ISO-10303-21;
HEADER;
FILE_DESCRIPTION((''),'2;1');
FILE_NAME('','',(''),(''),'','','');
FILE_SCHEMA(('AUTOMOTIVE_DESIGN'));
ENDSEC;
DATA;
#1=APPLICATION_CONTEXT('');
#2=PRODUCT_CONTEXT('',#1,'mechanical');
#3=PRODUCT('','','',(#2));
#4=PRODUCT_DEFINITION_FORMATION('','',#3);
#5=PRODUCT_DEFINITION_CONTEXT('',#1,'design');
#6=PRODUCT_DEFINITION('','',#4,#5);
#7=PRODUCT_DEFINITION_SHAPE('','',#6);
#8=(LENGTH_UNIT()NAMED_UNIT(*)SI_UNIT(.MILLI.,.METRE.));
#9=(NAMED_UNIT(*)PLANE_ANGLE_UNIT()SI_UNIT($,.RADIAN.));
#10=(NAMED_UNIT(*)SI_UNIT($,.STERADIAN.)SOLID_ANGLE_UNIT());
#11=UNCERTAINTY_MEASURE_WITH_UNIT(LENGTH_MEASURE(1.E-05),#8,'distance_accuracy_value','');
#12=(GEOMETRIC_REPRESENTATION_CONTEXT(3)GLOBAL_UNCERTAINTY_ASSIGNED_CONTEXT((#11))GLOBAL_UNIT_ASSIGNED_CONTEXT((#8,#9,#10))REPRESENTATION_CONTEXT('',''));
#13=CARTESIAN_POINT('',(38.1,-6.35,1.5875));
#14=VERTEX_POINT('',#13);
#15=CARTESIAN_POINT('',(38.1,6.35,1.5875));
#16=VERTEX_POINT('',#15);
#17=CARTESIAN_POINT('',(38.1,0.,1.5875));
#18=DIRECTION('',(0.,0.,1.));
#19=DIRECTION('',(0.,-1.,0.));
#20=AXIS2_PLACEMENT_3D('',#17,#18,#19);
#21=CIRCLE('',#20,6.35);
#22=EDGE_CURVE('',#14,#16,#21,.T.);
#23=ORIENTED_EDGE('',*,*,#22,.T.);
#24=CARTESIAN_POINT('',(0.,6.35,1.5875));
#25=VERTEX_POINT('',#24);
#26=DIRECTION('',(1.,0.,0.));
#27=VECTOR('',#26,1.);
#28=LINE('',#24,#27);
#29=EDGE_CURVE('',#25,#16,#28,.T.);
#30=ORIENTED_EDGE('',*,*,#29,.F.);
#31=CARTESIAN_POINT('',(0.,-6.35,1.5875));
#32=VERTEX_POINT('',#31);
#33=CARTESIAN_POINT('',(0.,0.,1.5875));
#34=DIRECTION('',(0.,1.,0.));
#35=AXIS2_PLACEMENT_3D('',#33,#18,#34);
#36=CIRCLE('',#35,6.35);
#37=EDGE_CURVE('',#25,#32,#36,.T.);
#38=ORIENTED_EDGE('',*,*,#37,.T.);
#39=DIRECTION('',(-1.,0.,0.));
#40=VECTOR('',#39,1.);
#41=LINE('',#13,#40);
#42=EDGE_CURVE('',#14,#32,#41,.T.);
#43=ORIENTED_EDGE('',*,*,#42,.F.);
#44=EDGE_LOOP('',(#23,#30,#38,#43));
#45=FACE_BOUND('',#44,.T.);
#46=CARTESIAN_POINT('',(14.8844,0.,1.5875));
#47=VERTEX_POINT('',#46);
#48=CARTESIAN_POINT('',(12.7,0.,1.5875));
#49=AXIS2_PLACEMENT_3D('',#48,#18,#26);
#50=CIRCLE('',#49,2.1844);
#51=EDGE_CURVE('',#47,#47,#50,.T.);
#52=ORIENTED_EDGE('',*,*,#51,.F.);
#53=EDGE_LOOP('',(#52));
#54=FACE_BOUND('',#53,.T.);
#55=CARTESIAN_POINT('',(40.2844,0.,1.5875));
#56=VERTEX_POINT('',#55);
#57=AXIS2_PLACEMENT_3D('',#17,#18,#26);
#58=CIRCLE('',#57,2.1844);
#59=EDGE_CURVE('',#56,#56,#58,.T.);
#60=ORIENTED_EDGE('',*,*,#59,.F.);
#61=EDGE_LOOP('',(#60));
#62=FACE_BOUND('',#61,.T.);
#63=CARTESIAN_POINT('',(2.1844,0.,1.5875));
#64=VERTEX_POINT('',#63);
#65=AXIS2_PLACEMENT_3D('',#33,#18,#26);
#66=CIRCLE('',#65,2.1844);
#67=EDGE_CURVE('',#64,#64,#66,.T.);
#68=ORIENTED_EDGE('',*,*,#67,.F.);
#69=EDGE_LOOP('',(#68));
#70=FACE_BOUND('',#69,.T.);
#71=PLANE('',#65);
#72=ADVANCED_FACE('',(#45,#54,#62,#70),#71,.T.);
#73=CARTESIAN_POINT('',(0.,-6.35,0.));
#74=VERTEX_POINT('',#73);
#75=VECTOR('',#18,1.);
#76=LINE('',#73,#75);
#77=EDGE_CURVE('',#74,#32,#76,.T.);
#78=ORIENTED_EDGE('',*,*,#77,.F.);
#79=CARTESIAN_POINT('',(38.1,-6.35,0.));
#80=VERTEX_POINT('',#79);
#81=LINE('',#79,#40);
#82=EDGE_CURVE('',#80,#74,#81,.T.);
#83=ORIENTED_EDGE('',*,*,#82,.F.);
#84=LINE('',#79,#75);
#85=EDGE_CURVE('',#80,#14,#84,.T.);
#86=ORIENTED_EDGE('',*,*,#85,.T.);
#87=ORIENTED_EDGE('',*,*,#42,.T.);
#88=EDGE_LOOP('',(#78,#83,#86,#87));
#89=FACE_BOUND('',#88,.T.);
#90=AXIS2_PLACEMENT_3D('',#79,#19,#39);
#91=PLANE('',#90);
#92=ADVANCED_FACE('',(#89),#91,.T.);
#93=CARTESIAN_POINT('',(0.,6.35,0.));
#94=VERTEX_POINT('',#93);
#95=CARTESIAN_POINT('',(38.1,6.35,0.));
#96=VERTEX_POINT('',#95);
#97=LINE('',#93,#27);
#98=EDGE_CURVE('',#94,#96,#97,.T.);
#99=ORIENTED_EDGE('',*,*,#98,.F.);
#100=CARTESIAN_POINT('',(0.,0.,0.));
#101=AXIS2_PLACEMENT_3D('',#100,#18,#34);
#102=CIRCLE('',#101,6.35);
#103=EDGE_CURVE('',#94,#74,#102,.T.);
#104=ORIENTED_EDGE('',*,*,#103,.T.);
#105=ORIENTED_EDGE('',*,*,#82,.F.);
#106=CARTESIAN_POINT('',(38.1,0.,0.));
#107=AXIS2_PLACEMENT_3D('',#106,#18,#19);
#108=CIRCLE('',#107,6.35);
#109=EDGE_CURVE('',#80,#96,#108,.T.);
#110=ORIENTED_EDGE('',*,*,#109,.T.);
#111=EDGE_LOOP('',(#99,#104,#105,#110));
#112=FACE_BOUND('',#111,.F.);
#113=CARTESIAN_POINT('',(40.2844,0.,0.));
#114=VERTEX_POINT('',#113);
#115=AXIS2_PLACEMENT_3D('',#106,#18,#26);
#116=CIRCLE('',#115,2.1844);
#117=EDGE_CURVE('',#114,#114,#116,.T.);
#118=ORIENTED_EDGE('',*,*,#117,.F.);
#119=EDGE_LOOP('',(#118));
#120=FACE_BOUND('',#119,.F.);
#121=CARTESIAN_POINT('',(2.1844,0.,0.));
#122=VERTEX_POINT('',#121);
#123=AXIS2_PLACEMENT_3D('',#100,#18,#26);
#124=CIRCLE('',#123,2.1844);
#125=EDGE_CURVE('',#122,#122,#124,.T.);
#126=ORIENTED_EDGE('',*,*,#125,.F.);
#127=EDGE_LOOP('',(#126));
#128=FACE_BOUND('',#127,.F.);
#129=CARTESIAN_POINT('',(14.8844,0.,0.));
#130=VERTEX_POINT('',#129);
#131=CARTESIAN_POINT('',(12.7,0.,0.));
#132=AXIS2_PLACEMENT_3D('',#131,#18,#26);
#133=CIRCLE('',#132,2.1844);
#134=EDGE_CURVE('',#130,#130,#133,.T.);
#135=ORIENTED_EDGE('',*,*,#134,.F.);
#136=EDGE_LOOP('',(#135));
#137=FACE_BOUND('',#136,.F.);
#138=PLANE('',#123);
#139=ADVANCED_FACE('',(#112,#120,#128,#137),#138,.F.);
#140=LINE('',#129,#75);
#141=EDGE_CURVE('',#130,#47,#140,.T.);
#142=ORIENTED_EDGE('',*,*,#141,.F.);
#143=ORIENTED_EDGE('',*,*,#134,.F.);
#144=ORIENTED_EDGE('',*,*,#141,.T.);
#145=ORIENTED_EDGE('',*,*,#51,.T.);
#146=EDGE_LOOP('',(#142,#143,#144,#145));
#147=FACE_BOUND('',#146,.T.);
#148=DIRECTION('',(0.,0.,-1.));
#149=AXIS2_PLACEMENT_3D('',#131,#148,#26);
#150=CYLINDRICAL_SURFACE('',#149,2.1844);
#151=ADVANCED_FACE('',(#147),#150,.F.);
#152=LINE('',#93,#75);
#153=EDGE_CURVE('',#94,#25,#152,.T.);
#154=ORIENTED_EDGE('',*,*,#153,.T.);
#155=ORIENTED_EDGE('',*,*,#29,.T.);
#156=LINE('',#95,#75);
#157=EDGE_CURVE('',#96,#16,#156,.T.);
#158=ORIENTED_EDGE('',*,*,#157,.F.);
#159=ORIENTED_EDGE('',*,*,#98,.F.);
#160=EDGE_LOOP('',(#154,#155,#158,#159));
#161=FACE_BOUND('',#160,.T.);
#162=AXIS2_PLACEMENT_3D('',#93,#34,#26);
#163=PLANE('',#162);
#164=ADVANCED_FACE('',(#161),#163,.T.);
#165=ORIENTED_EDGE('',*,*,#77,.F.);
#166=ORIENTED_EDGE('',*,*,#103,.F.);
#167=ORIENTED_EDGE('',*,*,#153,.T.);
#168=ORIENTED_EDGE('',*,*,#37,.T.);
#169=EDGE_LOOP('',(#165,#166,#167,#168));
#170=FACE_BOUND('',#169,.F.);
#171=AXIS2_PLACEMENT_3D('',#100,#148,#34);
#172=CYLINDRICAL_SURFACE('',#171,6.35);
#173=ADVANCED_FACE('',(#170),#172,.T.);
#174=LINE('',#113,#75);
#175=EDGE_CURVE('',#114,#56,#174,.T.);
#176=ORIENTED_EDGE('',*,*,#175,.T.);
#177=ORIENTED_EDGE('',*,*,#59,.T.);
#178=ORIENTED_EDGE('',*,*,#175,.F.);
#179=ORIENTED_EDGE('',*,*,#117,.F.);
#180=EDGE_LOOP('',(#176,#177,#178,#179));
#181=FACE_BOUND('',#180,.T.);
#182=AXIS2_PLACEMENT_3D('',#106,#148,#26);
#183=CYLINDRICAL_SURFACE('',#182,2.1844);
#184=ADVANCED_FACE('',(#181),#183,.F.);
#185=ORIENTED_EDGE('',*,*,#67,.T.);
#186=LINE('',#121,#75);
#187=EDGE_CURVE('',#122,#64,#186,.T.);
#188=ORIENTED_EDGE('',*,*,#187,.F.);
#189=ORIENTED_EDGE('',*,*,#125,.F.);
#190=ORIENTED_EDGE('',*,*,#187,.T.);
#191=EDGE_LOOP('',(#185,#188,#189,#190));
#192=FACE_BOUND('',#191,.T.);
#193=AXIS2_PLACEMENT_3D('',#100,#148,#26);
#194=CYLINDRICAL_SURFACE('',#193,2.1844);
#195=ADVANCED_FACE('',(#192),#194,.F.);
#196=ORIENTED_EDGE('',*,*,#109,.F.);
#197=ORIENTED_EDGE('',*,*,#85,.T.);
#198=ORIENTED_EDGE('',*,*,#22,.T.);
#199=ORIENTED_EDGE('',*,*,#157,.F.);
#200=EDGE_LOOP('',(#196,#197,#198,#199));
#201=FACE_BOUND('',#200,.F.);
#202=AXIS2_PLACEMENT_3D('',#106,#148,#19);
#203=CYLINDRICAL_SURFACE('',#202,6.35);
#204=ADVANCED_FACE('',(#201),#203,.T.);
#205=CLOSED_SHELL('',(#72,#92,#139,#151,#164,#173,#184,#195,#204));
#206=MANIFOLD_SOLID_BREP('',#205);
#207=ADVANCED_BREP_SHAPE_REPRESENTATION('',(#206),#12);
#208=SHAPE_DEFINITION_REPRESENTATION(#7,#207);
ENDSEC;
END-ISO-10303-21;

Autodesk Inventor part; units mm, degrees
ref_plane "YZ Plane" through (0, 0, 0) normal (1, 0, 0) x (0, 1, 0)
ref_plane "XZ Plane" through (0, 0, 0) normal (0, 1, 0) x (-1, 0, 0)
ref_plane "XY Plane" through (0, 0, 0) normal (0, 0, 1) x (1, 0, 0)
sketch "Sketch1" plane through (0, 0, 0) normal (0, 0, 1) x (1, 0, 0)
  circle A0 centre (0, 0) radius 2.1844
  circle A1 centre (38.1, 0) radius 2.1844
  line L0 (0, 6.35) -> (38.1, 6.35)
  line L1 (38.1, -6.35) -> (0, -6.35)
  arc A2 (0, 6.35) -> (0, -6.35) centre (0, 0) ccw
  arc A3 (38.1, -6.35) -> (38.1, 6.35) centre (38.1, 0) ccw
  circle A4 centre (12.7, 0) radius 2.1844
  dimension "d0" = 4.3688
  dimension "d2" = 4.3688
  dimension "d8" = 4.3688
extrude "Extrusion1" add sketch "Sketch1" along normal blind 1.5875
properties part number "distancesensorcablemanage"
